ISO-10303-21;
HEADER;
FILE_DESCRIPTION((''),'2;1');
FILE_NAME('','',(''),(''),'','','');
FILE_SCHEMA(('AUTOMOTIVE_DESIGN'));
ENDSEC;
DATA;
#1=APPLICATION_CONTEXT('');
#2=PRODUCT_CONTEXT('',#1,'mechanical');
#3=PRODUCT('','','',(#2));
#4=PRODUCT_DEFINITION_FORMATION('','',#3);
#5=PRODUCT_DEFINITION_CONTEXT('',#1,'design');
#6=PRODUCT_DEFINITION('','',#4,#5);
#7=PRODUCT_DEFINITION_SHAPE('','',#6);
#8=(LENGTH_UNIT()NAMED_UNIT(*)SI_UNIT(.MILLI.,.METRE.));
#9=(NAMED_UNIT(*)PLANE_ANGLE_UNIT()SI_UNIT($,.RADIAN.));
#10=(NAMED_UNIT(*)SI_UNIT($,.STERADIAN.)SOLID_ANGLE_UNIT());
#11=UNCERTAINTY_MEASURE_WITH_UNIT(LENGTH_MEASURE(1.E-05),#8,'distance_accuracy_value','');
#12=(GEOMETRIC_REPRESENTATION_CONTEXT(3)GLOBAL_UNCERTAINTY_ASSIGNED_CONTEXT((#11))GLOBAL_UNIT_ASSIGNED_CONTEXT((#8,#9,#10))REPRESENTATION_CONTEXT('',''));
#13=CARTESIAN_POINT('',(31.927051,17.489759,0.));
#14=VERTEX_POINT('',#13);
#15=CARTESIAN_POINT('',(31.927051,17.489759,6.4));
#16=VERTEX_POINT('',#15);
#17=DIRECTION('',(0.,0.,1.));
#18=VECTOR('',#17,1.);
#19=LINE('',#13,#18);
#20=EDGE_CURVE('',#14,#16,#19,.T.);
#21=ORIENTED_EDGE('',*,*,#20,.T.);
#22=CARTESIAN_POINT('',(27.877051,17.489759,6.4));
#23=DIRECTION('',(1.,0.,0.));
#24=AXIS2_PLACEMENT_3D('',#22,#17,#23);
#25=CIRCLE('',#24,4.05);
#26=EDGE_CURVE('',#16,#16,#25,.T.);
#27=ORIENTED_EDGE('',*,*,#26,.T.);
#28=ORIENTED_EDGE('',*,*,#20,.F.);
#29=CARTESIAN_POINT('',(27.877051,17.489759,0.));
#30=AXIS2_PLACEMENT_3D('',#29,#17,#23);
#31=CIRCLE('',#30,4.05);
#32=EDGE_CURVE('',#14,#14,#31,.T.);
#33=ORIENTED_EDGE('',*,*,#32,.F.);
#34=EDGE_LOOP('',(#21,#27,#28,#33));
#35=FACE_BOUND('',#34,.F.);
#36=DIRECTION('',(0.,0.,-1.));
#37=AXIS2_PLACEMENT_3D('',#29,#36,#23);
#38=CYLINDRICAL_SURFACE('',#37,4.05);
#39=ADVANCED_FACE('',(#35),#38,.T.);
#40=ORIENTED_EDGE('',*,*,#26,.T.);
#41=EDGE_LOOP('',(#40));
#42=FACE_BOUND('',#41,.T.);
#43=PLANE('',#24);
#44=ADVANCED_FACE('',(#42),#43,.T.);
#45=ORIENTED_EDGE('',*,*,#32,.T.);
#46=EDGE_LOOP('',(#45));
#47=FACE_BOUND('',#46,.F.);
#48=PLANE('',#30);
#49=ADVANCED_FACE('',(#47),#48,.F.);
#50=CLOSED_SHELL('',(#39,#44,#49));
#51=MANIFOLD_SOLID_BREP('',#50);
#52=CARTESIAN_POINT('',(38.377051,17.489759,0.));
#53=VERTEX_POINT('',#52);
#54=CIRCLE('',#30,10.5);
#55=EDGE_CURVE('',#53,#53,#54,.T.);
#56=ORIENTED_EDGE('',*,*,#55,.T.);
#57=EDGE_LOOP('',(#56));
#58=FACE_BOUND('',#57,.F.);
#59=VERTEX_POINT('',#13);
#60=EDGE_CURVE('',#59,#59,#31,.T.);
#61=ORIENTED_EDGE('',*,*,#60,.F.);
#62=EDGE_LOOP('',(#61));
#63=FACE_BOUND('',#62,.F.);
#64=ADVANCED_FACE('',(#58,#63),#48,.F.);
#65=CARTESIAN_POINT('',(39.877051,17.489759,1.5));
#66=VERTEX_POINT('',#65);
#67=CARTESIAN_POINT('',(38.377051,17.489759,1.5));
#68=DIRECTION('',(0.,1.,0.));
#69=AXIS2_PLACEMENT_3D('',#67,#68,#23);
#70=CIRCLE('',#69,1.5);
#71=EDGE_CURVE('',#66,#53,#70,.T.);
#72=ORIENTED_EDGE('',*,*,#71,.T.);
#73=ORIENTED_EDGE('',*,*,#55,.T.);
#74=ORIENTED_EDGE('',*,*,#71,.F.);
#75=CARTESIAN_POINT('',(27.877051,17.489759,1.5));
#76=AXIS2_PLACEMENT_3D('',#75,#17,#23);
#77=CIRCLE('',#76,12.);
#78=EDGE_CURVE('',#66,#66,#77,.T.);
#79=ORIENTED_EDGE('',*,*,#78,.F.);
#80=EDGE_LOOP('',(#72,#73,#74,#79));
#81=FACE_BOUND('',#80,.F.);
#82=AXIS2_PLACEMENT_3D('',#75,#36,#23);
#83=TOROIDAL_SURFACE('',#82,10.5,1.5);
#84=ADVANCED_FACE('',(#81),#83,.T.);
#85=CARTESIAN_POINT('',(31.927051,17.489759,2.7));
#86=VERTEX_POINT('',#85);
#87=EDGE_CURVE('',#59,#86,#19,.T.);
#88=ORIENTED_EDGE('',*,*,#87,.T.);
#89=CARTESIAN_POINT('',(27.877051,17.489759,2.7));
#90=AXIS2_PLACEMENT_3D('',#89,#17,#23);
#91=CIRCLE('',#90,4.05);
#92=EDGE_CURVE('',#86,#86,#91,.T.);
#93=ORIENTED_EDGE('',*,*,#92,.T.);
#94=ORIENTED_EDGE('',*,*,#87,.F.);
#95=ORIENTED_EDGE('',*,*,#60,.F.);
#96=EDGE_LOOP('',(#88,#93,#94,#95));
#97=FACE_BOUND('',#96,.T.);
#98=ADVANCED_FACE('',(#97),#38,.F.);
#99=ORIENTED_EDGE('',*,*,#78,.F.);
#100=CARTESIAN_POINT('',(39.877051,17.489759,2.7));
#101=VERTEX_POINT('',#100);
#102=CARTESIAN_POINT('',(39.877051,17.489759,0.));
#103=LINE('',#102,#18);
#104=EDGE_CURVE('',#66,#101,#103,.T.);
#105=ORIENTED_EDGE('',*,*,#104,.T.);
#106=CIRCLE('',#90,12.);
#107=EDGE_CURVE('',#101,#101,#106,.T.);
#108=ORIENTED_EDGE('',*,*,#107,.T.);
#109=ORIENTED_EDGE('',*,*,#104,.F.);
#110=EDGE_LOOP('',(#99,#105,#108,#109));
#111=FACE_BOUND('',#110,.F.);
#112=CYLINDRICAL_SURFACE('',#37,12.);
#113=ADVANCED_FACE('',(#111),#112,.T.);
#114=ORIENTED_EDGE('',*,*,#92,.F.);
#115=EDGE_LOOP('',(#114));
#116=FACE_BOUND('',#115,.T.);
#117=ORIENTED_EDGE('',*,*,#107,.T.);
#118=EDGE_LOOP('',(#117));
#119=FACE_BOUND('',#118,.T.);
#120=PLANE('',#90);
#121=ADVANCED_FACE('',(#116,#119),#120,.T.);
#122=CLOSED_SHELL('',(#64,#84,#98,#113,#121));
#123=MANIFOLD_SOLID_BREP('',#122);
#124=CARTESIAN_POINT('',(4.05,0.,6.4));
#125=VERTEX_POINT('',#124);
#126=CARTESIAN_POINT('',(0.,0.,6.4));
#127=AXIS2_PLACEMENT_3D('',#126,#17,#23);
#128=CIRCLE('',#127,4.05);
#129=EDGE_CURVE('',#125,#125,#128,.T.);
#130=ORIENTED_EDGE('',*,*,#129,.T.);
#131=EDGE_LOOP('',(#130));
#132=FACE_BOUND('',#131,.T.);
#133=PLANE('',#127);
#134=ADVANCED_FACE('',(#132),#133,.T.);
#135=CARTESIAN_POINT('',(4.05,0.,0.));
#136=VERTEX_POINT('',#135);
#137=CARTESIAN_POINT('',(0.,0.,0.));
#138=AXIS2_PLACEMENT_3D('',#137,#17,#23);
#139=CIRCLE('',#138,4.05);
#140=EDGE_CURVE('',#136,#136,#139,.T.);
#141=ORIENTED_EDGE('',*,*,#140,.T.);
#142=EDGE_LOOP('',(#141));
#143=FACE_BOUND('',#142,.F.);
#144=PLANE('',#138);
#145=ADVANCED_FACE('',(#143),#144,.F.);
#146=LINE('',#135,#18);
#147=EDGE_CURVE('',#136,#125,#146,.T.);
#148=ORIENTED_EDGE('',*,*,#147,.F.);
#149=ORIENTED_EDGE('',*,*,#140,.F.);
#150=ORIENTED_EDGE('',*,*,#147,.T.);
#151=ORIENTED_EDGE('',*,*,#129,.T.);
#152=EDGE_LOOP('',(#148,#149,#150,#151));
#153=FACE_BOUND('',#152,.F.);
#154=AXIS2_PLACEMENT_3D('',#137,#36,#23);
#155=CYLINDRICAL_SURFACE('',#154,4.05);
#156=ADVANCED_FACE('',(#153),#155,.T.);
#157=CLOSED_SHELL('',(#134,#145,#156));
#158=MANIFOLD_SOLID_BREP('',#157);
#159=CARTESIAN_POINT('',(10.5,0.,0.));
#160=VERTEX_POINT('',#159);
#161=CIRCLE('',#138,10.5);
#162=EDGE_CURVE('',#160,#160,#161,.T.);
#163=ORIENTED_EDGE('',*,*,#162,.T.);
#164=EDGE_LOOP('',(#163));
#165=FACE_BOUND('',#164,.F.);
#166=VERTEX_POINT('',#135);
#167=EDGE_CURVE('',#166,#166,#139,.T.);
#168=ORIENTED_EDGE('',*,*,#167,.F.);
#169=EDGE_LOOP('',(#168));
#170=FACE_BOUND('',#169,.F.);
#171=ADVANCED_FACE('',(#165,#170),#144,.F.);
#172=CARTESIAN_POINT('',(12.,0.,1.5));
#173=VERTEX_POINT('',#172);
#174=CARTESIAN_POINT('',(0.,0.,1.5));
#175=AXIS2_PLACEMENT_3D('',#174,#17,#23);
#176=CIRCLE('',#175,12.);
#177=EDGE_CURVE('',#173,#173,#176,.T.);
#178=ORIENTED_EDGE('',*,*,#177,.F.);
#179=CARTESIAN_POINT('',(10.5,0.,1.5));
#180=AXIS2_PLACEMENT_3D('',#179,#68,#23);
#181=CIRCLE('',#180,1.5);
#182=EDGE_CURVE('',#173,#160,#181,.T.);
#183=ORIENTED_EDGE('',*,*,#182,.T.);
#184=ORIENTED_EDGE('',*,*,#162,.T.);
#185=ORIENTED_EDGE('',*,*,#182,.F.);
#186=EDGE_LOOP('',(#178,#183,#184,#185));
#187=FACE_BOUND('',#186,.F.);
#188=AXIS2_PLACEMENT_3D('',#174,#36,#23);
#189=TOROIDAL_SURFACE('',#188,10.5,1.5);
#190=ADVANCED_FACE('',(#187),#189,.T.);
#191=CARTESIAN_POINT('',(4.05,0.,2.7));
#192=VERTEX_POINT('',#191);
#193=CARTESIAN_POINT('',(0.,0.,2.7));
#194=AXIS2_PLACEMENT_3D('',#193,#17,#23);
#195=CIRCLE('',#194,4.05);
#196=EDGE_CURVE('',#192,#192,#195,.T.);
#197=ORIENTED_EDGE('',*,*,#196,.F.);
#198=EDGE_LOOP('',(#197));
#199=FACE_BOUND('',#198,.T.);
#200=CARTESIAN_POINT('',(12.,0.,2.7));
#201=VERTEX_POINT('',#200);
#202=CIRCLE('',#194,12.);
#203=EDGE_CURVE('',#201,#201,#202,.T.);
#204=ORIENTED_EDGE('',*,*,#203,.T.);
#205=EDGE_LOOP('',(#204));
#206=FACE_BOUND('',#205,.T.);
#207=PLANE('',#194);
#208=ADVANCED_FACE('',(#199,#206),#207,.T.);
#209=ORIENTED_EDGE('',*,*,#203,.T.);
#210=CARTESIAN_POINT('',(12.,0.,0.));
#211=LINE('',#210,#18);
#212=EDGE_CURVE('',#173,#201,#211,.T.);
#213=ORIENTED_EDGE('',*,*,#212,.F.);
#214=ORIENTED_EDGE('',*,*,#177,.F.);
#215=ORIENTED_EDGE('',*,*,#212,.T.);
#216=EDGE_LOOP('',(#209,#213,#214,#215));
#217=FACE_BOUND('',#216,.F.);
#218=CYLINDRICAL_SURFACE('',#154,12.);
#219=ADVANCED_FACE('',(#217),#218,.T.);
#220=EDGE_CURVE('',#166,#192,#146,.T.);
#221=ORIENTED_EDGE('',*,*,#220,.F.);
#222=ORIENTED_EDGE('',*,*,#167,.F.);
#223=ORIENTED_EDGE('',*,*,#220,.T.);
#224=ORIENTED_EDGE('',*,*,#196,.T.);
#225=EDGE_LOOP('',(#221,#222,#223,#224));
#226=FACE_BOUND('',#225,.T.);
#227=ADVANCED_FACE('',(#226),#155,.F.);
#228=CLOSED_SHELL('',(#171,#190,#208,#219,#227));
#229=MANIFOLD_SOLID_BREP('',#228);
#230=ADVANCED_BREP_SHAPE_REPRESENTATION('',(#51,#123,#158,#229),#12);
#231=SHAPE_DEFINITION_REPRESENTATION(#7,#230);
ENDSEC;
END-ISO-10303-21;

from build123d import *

# Parameters (mm, degrees)
F0_R     = 12
F0_R_2   = 4.05
F1_DEPTH = 2.7
F2_DEPTH = 6.4
F3_R     = 1.5


with BuildPart() as f1:
    # F0 (on Top) → F1 (new body)
    with BuildSketch(Plane.XY):
        Circle(F0_R)
        Circle(F0_R_2, mode=Mode.SUBTRACT)
        with Locations((27.877051, 17.489759)):
            Circle(F0_R)
        with Locations((27.877051, 17.489759)):
            Circle(F0_R_2, mode=Mode.SUBTRACT)
    extrude(amount=F1_DEPTH)

    # F3
    f3_edges = [f1.edges().sort_by_distance(p)[0] for p in [
        (15.877051, 17.489759, 0),
        (-12, 0, 0),
    ]]
    fillet(f3_edges, radius=F3_R)


with BuildPart() as f2:
    # F0 (on Top) → F2 (new body)
    with BuildSketch(Plane.XY):
        Circle(F0_R_2)
        with Locations((27.877051, 17.489759)):
            Circle(F0_R_2)
    extrude(amount=F2_DEPTH)


solid = Compound([f1.part, f2.part])
